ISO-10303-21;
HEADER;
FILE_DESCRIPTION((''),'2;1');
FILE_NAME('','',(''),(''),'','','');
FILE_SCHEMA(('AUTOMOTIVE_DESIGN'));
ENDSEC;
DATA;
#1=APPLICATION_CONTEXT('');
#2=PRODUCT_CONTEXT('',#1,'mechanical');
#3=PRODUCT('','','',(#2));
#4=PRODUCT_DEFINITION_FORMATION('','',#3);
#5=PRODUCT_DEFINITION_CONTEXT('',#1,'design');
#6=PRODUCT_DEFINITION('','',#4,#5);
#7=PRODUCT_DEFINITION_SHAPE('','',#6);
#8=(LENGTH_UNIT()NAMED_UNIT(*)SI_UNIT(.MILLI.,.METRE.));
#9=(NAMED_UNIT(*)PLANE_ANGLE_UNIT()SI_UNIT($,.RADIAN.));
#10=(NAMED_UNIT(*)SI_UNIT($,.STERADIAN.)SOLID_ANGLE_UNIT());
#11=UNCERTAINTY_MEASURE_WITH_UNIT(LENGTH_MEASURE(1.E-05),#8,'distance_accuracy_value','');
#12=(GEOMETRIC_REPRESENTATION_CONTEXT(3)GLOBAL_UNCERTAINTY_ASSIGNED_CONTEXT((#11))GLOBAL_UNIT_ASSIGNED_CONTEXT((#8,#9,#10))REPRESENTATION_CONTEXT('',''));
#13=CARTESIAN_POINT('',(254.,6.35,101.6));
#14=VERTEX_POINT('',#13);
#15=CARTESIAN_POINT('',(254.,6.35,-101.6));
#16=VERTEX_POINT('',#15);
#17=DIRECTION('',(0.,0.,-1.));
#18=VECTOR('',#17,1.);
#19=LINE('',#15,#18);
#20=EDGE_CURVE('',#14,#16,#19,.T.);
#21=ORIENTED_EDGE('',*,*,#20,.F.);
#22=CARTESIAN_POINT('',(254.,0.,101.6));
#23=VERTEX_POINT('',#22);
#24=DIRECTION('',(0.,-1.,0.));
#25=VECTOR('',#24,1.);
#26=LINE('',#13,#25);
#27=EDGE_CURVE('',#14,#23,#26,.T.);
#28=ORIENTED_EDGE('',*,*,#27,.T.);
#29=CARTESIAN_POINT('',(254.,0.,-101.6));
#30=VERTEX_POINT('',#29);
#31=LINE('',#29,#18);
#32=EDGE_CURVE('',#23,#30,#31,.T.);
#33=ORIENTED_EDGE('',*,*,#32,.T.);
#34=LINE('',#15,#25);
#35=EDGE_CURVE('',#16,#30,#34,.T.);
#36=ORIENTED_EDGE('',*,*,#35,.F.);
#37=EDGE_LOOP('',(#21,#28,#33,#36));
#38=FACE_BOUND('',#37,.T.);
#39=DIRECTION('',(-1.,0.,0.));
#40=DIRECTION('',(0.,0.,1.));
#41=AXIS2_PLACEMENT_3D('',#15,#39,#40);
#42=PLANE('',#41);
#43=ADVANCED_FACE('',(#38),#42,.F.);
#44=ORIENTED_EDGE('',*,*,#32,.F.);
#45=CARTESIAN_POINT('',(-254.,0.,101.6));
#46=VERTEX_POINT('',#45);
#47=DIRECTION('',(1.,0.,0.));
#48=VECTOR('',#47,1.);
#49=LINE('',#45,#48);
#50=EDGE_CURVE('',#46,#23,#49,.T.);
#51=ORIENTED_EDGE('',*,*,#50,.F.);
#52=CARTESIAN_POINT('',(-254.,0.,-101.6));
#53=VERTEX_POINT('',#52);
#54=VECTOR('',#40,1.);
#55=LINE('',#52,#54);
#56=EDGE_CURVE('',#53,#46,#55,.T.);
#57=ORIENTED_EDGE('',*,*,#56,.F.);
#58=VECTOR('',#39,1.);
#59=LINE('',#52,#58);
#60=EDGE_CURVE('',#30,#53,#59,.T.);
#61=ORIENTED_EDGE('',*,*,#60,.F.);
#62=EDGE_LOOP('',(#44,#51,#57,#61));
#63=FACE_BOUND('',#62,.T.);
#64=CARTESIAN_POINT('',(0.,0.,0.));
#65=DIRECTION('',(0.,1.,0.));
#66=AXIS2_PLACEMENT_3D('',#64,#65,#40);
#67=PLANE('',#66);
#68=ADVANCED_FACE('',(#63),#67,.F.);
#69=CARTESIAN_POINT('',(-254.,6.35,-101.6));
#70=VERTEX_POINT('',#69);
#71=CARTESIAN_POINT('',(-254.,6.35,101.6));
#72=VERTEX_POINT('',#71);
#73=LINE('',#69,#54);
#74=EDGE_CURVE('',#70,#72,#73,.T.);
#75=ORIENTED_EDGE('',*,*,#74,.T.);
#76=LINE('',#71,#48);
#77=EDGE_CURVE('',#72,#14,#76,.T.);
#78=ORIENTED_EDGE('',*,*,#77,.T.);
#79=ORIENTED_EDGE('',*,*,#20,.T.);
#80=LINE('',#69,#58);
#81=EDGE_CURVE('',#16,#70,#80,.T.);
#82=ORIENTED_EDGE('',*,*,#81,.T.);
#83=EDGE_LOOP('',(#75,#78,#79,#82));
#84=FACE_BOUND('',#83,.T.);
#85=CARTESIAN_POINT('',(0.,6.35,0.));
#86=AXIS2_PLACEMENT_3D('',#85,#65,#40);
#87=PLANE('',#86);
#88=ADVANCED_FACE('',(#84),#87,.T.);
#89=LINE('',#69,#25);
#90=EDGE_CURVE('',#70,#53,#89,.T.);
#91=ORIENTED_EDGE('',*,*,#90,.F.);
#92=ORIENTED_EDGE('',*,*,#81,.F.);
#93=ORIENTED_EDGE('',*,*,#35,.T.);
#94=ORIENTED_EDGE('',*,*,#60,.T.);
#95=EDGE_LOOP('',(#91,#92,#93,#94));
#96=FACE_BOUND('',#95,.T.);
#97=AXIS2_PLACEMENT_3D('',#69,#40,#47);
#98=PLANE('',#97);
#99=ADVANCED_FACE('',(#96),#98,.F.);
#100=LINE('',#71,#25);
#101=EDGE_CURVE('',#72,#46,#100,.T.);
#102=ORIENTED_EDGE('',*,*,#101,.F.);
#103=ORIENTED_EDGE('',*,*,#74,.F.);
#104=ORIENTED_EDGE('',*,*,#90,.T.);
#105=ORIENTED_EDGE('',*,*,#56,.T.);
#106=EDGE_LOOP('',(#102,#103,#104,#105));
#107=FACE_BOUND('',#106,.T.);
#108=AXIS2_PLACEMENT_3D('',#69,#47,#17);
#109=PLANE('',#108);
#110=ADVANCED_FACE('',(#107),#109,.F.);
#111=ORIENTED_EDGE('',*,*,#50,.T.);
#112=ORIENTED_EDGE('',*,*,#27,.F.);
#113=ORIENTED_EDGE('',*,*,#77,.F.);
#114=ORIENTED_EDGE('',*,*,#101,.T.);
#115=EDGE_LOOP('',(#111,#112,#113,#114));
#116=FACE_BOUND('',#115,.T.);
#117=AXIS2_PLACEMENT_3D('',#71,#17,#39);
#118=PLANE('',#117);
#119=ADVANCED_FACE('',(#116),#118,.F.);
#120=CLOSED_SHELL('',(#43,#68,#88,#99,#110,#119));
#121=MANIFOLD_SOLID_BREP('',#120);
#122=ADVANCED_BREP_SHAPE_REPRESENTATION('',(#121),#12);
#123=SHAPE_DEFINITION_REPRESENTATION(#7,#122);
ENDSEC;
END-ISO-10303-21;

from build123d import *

# Parameters (mm, degrees)
CROQUIS1_W              = 508
CROQUIS1_H              = 203.2
SALIENTE_EXTRUIR1_DEPTH = 6.35


with BuildPart() as part:
    # Croquis1 → Saliente-Extruir1 (new body)
    with BuildSketch(Plane(origin=(0, 0, 0), x_dir=(1, 0, 0), z_dir=(0, 1, 0))):
        Rectangle(CROQUIS1_W, CROQUIS1_H)
    extrude(amount=SALIENTE_EXTRUIR1_DEPTH)


solid = part.part
